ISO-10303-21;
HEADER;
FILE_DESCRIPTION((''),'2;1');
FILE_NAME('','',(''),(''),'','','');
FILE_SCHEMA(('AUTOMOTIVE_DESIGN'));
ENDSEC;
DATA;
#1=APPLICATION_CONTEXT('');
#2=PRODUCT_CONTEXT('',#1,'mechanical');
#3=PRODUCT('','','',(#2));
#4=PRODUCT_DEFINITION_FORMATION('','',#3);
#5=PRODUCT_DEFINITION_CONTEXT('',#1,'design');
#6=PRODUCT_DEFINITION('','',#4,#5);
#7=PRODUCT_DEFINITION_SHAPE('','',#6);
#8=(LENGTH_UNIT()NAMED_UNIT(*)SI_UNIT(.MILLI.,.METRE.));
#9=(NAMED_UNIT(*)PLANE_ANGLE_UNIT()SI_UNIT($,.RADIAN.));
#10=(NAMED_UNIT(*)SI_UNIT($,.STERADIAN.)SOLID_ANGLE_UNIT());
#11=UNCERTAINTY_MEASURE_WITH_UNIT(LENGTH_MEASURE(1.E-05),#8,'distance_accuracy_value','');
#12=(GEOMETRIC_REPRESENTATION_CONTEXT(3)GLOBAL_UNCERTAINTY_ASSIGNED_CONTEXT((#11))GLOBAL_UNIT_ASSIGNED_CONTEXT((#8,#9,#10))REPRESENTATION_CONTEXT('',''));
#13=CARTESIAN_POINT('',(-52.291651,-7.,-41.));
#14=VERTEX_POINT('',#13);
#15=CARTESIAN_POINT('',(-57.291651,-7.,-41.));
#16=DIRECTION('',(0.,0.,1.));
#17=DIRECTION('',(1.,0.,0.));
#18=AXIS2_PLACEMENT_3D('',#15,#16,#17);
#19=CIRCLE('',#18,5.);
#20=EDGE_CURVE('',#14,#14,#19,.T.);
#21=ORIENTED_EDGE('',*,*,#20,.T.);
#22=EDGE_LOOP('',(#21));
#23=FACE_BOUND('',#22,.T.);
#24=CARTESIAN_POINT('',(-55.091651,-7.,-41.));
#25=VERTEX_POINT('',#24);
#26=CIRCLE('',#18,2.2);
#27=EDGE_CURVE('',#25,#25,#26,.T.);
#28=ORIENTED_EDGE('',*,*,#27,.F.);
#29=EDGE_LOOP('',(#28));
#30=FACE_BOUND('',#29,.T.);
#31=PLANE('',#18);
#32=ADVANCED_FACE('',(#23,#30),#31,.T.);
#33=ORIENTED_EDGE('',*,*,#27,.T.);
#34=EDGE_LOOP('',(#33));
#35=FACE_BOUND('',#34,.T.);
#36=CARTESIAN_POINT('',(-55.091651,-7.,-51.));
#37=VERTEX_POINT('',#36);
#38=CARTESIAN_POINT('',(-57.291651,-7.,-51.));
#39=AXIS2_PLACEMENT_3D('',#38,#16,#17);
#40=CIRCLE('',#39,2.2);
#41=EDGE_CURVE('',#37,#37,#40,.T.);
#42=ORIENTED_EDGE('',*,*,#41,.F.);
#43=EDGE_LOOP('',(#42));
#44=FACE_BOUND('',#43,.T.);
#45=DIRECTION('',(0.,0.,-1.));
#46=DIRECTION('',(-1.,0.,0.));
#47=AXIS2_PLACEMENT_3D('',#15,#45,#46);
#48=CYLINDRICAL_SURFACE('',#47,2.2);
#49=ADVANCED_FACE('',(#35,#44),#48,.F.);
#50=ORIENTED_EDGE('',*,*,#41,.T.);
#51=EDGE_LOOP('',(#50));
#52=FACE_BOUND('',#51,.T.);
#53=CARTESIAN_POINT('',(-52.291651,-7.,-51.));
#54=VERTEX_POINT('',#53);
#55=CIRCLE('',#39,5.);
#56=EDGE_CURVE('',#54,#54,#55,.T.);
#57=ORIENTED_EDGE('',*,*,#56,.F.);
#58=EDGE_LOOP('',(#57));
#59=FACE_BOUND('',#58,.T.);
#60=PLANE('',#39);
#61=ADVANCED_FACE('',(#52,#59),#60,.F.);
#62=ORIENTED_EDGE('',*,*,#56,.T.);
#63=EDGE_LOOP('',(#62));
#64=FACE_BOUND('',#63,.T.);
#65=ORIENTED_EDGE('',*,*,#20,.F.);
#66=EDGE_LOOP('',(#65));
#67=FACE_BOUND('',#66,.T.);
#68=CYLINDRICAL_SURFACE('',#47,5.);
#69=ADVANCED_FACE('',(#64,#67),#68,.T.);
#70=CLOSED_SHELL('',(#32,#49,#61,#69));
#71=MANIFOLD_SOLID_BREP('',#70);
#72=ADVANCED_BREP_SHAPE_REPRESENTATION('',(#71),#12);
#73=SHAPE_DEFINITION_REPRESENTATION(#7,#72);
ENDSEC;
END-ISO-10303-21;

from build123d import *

# Parameters (mm, degrees)
SPACER_RING_SKETCH_R   = 5
SPACER_RING_SKETCH_R_2 = 2.2
SPACER_RING_DEPTH      = 10


with BuildPart() as part:
    # Spacer ring sketch → Spacer ring (new body)
    with BuildSketch(Plane.XY.offset(-51)):
        with Locations((-57.291651246, -7)):
            Circle(SPACER_RING_SKETCH_R)
        with Locations((-57.291651246, -7)):
            Circle(SPACER_RING_SKETCH_R_2, mode=Mode.SUBTRACT)
    extrude(amount=SPACER_RING_DEPTH)


solid = part.part
